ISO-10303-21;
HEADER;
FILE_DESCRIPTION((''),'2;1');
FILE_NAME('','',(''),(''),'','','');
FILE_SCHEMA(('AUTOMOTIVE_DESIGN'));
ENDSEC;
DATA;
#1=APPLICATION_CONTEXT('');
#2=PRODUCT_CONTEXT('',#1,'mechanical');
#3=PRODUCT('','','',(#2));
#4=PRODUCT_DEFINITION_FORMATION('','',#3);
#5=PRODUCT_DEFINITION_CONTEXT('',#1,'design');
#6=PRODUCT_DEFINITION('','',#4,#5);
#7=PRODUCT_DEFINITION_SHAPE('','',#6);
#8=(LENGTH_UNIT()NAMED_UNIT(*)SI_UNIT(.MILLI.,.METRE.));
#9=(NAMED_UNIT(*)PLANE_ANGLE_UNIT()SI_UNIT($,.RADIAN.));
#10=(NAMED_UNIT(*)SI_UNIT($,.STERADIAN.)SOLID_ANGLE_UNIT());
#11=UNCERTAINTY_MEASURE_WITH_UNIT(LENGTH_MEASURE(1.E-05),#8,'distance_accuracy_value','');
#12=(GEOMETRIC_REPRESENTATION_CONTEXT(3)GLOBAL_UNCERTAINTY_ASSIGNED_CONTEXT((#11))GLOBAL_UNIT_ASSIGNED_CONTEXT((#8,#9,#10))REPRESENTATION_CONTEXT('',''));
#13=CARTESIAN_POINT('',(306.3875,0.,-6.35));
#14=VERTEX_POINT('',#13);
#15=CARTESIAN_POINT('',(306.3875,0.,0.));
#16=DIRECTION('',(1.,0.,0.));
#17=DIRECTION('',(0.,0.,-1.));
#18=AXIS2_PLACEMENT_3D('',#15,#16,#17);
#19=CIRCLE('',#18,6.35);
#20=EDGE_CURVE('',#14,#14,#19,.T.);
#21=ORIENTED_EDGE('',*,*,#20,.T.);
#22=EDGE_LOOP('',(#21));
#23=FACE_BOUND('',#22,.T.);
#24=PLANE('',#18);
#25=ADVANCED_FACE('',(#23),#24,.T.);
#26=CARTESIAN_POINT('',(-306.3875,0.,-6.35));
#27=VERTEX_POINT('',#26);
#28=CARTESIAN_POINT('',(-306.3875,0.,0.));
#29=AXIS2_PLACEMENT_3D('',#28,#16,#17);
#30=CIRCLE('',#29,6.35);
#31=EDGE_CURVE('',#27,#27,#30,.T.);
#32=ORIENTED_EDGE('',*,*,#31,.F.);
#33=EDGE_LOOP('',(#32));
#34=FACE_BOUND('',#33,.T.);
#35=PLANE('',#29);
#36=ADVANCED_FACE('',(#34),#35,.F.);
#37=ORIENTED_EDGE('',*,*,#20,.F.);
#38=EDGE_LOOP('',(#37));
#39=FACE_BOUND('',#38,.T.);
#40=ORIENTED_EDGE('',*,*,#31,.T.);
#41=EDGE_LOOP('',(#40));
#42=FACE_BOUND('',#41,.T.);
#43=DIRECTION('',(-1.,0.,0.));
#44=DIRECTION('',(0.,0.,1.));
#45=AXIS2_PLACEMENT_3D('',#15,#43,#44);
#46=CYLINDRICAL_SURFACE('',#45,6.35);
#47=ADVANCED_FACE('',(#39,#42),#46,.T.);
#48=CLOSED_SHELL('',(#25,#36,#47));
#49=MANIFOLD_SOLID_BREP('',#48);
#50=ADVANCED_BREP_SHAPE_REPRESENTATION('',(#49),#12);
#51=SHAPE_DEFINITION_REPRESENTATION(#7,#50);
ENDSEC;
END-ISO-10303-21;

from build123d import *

# Parameters (mm, degrees)
SKETCH1_R           = 6.35
BOSS_EXTRUDE1_DEPTH = 306.3875


with BuildPart() as part:
    # Sketch1 → Boss-Extrude1 (new body, symmetric)
    with BuildSketch(Plane(origin=(0, 0, 0), x_dir=(0, 0, -1), z_dir=(1, 0, 0))):
        Circle(SKETCH1_R)
    extrude(amount=BOSS_EXTRUDE1_DEPTH, both=True)


solid = part.part
